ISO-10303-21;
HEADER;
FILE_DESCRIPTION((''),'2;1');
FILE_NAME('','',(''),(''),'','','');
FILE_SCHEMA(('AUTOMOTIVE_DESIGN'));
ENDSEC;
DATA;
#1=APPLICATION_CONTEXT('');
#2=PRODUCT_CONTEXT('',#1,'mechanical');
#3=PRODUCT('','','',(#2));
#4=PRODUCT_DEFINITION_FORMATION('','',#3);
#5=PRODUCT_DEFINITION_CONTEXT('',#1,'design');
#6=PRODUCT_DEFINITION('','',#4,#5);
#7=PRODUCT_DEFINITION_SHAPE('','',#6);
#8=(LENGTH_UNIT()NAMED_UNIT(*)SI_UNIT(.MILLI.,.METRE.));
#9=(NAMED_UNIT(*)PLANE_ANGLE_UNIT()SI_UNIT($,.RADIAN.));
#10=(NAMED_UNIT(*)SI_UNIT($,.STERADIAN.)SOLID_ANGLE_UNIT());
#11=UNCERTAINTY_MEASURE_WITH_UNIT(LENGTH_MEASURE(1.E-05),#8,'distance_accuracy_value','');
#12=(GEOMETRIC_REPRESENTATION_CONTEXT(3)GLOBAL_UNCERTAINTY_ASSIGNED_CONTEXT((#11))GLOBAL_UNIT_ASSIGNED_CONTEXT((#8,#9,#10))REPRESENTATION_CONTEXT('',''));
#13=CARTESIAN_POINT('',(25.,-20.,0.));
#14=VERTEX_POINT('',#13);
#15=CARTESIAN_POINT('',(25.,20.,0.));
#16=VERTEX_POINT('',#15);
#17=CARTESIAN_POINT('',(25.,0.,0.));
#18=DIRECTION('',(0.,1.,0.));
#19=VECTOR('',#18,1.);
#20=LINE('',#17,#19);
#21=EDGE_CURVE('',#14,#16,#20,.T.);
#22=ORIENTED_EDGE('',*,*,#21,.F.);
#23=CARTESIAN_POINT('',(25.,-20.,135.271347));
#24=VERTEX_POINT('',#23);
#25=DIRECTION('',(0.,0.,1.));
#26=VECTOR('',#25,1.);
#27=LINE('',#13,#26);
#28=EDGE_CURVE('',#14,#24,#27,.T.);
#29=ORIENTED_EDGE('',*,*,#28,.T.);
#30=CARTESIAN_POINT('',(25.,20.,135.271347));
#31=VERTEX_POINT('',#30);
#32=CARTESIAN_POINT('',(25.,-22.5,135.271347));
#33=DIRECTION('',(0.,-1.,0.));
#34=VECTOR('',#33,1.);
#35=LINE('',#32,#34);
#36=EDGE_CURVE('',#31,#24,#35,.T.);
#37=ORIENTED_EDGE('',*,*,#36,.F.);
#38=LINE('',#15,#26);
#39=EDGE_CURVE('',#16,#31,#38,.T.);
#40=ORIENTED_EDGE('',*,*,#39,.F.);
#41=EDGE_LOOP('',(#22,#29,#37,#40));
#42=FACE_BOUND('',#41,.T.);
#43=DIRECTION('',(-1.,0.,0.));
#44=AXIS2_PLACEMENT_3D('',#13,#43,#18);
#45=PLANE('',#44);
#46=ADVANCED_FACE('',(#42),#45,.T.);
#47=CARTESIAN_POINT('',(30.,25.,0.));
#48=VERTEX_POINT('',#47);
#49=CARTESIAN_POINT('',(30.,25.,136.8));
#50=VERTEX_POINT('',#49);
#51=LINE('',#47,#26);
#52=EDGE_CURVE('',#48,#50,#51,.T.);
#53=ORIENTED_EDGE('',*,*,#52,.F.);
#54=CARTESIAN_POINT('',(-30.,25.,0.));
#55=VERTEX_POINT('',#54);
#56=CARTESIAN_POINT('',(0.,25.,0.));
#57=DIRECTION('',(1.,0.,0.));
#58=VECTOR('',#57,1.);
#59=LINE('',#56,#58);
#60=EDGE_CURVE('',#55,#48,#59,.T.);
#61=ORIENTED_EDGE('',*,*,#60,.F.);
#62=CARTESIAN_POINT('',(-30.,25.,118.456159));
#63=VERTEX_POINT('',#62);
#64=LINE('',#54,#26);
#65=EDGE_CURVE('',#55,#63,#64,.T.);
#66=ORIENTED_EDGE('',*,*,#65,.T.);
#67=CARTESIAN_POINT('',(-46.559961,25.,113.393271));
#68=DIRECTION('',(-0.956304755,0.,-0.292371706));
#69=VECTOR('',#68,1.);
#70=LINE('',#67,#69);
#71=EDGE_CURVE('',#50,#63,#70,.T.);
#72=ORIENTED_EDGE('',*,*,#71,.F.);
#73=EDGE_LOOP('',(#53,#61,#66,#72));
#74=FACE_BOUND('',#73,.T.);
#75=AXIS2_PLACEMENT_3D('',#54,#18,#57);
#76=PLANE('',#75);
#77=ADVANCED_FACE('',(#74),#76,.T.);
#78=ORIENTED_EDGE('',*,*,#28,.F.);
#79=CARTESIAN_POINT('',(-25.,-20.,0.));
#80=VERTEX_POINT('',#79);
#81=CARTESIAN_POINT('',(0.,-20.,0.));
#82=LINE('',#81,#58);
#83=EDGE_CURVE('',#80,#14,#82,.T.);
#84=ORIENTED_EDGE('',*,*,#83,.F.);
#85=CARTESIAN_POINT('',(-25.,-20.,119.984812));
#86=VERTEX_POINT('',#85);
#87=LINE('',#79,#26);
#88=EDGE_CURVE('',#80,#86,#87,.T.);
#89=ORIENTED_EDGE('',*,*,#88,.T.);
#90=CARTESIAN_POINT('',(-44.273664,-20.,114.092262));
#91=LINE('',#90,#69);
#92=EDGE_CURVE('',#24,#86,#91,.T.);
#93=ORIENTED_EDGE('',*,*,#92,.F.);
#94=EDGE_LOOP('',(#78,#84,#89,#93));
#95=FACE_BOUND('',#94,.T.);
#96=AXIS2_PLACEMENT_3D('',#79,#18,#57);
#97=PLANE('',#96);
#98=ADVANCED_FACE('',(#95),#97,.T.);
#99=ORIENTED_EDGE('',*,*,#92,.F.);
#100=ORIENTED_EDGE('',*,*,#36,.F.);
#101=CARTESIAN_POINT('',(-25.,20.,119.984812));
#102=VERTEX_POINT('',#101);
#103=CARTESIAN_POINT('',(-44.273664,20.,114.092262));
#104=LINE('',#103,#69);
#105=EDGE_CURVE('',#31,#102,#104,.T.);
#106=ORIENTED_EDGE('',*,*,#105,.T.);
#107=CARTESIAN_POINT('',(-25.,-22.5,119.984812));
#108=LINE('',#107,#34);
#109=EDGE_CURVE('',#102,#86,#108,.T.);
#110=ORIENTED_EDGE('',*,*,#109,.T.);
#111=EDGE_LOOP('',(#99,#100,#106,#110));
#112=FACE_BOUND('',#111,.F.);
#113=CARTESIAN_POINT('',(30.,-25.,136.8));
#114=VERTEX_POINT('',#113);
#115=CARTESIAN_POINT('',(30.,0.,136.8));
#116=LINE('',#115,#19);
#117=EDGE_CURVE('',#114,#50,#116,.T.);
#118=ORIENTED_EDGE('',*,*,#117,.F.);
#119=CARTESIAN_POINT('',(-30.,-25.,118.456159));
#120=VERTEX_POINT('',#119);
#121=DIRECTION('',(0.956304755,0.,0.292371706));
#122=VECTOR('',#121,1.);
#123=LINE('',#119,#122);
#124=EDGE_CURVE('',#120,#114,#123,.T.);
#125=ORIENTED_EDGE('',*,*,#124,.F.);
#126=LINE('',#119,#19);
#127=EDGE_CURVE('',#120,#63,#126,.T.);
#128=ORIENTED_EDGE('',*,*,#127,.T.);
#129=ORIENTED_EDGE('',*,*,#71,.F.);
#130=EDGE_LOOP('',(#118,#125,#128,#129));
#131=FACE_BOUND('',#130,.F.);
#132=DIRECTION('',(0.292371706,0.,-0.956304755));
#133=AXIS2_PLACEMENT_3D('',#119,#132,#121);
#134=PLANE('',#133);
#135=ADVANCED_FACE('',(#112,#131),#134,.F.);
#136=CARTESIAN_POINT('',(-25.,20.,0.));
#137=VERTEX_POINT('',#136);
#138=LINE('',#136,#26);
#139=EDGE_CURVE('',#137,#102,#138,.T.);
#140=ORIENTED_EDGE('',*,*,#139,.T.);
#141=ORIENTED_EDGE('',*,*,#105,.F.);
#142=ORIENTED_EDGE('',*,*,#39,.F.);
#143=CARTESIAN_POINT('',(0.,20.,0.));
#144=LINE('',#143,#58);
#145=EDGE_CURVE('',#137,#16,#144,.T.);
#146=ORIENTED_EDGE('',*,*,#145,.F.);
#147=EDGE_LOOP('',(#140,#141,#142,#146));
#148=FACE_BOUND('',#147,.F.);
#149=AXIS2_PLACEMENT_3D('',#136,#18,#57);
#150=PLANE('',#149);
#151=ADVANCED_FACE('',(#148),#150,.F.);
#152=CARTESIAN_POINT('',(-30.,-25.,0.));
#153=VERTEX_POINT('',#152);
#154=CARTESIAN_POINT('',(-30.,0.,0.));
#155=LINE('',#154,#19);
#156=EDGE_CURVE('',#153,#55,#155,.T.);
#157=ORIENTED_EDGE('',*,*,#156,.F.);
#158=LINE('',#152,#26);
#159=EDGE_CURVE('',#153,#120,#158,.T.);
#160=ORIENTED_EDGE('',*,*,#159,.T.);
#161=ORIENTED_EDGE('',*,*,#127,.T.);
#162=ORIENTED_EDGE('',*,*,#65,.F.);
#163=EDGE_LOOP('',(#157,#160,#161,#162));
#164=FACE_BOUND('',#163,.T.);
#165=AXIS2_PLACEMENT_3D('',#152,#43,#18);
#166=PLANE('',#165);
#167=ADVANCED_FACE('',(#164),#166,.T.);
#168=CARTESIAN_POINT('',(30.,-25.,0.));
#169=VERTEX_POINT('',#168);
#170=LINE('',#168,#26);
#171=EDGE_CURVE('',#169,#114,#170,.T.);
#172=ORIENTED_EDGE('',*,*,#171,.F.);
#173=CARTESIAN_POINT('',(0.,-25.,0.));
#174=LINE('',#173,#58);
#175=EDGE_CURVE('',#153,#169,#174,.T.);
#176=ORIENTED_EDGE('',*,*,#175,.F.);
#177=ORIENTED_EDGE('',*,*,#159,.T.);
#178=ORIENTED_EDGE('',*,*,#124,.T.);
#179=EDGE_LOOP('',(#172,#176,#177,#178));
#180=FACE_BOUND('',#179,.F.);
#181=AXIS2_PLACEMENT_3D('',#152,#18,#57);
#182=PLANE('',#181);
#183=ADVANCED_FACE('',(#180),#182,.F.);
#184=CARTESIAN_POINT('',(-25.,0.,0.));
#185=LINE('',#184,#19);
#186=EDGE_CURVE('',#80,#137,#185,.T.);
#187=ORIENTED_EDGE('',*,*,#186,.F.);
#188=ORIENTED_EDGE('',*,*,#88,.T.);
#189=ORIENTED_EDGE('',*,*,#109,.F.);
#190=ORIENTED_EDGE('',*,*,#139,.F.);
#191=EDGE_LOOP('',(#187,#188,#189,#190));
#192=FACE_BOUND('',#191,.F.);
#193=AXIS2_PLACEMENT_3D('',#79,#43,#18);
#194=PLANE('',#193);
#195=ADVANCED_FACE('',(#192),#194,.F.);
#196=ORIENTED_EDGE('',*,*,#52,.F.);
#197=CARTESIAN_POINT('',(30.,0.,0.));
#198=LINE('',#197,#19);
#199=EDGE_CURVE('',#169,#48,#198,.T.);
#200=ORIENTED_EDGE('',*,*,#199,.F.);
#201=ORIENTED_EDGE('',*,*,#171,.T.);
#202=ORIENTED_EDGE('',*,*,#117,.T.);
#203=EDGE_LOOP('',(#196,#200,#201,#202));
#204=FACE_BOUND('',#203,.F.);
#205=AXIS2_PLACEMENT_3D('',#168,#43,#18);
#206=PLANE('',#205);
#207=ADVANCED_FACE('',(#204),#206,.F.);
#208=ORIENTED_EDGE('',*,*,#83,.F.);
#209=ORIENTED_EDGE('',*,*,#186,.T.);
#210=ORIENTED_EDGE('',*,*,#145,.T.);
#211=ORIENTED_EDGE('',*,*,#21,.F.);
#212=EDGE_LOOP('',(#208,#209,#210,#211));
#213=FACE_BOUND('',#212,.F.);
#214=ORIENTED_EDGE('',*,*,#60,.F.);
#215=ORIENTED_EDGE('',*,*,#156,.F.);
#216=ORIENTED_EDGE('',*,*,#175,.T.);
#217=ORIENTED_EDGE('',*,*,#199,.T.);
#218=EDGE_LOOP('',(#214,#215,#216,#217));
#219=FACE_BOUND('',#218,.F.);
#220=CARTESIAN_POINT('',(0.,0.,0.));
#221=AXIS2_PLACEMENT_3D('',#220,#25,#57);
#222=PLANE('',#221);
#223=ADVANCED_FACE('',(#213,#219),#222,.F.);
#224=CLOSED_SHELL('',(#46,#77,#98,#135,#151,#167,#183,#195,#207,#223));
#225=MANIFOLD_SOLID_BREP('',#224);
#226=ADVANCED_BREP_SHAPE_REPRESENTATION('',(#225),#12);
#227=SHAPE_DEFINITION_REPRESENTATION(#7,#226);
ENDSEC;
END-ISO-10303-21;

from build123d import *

# Parameters (mm, degrees)
F0_W     = 60
F0_H     = 50
F0_W_2   = 50
F0_H_2   = 40
F1_DEPTH = 136.8
F3_DEPTH = 60


with BuildPart() as f1:
    # F0 (on Top) → F1 (new body)
    with BuildSketch(Plane.XY):
        Rectangle(F0_W, F0_H)
        Rectangle(F0_W_2, F0_H_2, mode=Mode.SUBTRACT)
    extrude(amount=F1_DEPTH)

    # F2 (on face) → F3 (cut)
    with BuildSketch(Plane.XZ.offset(25)):
        Polygon((30, 136.8), (-30, 136.8), (-30, 118.456159), align=None)
    extrude(amount=-F3_DEPTH, mode=Mode.SUBTRACT)


solid = f1.part
